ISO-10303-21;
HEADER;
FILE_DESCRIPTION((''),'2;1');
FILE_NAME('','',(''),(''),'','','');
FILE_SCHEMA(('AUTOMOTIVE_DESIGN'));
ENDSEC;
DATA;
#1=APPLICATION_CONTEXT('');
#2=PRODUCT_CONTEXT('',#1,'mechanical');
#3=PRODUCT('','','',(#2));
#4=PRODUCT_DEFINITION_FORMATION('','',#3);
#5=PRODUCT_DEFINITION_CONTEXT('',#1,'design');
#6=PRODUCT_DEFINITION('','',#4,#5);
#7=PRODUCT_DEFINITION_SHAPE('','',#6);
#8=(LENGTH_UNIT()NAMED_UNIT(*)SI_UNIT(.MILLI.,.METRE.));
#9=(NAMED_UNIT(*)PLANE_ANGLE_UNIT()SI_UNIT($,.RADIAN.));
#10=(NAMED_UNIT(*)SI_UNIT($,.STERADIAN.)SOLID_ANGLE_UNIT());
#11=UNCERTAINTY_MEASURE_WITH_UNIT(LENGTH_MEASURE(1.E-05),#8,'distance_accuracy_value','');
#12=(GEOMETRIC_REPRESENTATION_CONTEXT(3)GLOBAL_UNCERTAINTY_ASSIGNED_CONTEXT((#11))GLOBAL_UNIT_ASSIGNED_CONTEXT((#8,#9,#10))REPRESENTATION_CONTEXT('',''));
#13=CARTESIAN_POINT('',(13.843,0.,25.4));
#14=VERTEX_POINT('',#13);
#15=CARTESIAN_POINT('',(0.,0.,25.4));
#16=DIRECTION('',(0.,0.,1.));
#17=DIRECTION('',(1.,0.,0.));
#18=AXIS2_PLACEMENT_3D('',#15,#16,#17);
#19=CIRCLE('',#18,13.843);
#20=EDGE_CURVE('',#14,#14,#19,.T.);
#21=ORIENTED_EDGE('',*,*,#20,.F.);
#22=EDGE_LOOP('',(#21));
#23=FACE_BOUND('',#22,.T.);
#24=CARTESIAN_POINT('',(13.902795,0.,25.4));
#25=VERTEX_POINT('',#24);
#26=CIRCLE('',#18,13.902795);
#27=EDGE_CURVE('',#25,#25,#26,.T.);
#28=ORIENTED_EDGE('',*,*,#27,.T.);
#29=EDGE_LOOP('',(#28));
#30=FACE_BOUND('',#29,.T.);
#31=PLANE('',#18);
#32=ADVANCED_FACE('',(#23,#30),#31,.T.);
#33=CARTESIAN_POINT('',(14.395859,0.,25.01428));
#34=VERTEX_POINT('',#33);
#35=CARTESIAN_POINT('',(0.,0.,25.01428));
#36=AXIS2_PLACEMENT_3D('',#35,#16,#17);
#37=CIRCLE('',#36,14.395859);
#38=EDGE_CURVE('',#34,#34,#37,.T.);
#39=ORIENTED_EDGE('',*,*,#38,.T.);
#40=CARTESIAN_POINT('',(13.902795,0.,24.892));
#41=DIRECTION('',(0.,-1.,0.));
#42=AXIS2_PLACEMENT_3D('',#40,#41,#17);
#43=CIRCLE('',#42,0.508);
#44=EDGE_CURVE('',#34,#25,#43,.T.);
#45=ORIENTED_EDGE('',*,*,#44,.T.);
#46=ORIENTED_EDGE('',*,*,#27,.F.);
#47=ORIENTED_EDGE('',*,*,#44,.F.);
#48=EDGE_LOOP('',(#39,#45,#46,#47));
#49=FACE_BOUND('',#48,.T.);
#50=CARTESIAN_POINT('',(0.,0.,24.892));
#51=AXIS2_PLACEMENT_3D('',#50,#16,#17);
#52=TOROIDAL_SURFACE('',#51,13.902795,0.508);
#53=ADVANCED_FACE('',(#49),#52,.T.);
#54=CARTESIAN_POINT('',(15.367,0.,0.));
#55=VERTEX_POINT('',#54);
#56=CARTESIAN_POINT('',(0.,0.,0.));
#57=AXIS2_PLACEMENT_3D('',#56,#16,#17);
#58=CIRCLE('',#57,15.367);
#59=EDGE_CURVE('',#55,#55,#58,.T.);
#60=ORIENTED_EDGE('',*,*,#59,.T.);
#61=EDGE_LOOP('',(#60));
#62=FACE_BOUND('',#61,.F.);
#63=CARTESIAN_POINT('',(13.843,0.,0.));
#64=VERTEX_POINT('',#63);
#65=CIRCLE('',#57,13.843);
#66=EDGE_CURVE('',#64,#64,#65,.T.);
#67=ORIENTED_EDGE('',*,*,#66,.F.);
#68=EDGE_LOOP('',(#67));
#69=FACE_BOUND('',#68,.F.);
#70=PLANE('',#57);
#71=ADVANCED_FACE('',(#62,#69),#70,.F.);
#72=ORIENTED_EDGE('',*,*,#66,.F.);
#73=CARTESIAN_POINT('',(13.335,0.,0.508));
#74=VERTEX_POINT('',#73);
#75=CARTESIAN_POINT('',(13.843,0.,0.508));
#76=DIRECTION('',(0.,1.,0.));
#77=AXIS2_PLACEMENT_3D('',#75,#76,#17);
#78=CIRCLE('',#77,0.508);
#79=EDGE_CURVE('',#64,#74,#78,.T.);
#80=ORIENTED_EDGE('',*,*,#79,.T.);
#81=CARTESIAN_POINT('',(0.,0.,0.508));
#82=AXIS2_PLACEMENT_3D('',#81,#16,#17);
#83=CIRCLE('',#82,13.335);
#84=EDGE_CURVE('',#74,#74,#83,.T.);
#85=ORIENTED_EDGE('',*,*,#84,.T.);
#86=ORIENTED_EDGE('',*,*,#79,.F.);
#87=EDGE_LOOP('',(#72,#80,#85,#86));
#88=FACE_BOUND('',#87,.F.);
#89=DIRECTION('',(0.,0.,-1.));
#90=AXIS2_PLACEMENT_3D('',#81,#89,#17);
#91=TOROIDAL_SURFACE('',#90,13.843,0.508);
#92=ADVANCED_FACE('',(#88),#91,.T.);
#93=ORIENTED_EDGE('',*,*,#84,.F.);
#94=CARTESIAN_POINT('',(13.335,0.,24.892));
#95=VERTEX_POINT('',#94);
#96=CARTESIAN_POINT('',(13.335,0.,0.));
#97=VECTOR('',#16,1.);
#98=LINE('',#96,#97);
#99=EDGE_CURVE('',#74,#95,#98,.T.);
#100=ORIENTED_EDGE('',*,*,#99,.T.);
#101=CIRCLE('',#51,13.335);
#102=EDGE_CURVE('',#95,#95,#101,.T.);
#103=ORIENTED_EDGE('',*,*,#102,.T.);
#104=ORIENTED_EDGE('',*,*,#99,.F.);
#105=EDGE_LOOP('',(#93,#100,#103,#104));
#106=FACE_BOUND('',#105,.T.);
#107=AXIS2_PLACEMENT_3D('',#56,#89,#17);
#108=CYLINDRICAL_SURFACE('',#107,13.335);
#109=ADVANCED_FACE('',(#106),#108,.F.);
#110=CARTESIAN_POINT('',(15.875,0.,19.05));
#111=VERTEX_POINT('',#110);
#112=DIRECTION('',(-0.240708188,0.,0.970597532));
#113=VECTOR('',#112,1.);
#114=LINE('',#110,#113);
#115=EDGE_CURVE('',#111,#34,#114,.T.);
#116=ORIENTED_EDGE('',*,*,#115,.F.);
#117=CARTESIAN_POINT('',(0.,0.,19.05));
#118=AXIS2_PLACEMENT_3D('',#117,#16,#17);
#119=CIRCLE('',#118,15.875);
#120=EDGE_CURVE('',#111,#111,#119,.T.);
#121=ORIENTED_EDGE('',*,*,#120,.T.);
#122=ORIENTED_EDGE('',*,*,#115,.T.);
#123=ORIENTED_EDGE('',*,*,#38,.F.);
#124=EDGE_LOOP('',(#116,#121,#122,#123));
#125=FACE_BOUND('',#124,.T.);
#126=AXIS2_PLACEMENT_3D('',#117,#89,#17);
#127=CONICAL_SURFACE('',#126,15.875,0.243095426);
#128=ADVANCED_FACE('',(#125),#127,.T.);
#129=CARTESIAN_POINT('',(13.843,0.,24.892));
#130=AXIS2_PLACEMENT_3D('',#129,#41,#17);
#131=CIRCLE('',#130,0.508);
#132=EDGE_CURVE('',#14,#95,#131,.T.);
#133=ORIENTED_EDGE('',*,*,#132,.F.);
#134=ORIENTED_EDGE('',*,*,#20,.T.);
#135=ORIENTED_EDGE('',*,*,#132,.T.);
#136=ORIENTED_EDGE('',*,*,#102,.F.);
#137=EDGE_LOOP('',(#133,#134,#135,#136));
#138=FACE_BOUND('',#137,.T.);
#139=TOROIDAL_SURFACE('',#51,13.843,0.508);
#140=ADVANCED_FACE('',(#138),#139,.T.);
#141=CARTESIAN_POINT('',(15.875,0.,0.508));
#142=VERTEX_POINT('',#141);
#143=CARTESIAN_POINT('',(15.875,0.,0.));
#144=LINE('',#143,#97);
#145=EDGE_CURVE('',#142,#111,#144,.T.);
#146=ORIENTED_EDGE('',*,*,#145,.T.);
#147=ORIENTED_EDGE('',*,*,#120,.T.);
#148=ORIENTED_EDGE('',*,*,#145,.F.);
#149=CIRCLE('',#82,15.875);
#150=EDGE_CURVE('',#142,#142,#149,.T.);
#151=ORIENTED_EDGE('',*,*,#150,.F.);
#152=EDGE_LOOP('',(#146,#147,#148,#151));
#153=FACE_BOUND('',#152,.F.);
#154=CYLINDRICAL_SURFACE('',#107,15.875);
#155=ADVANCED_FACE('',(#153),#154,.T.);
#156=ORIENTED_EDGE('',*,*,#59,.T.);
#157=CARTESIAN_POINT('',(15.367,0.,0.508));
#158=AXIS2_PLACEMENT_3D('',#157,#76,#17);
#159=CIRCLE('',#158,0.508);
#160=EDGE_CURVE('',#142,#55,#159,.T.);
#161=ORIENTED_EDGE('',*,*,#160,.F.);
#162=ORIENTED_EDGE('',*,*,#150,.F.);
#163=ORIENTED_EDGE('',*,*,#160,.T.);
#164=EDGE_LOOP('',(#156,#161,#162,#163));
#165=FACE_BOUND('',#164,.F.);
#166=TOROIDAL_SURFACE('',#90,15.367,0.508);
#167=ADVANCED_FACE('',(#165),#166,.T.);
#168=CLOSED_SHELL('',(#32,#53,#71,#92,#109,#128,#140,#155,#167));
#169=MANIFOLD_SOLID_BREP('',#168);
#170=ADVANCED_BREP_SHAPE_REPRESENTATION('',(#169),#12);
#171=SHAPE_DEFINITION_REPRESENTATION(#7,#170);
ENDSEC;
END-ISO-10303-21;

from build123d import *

# Parameters (mm, degrees)
F0_R     = 15.875
F0_R_2   = 13.335
F1_DEPTH = 25.4
F2_SIZE2 = 1.5748
F2_SIZE  = 6.35
F3_R     = 0.508


with BuildPart() as f1:
    # F0 (on Top) → F1 (new body)
    with BuildSketch(Plane.XY):
        Circle(F0_R)
        Circle(F0_R_2, mode=Mode.SUBTRACT)
    extrude(amount=F1_DEPTH)

    # F2
    f2_edges = [f1.edges().sort_by_distance(p)[0] for p in [
        (-15.875, 0, 25.4),
    ]]
    f2_side = f1.faces().sort_by_distance((-15.875, 0, 12.7))[0]
    chamfer(f2_edges, length=F2_SIZE, length2=F2_SIZE2, reference=f2_side)

    # F3
    f3_edges = [f1.edges().sort_by_distance(p)[0] for p in [
        (-14.3002, 0, 25.4),
        (-13.335, 0, 25.4),
        (-15.875, 0, 0),
        (-13.335, 0, 0),
    ]]
    fillet(f3_edges, radius=F3_R)


solid = f1.part
